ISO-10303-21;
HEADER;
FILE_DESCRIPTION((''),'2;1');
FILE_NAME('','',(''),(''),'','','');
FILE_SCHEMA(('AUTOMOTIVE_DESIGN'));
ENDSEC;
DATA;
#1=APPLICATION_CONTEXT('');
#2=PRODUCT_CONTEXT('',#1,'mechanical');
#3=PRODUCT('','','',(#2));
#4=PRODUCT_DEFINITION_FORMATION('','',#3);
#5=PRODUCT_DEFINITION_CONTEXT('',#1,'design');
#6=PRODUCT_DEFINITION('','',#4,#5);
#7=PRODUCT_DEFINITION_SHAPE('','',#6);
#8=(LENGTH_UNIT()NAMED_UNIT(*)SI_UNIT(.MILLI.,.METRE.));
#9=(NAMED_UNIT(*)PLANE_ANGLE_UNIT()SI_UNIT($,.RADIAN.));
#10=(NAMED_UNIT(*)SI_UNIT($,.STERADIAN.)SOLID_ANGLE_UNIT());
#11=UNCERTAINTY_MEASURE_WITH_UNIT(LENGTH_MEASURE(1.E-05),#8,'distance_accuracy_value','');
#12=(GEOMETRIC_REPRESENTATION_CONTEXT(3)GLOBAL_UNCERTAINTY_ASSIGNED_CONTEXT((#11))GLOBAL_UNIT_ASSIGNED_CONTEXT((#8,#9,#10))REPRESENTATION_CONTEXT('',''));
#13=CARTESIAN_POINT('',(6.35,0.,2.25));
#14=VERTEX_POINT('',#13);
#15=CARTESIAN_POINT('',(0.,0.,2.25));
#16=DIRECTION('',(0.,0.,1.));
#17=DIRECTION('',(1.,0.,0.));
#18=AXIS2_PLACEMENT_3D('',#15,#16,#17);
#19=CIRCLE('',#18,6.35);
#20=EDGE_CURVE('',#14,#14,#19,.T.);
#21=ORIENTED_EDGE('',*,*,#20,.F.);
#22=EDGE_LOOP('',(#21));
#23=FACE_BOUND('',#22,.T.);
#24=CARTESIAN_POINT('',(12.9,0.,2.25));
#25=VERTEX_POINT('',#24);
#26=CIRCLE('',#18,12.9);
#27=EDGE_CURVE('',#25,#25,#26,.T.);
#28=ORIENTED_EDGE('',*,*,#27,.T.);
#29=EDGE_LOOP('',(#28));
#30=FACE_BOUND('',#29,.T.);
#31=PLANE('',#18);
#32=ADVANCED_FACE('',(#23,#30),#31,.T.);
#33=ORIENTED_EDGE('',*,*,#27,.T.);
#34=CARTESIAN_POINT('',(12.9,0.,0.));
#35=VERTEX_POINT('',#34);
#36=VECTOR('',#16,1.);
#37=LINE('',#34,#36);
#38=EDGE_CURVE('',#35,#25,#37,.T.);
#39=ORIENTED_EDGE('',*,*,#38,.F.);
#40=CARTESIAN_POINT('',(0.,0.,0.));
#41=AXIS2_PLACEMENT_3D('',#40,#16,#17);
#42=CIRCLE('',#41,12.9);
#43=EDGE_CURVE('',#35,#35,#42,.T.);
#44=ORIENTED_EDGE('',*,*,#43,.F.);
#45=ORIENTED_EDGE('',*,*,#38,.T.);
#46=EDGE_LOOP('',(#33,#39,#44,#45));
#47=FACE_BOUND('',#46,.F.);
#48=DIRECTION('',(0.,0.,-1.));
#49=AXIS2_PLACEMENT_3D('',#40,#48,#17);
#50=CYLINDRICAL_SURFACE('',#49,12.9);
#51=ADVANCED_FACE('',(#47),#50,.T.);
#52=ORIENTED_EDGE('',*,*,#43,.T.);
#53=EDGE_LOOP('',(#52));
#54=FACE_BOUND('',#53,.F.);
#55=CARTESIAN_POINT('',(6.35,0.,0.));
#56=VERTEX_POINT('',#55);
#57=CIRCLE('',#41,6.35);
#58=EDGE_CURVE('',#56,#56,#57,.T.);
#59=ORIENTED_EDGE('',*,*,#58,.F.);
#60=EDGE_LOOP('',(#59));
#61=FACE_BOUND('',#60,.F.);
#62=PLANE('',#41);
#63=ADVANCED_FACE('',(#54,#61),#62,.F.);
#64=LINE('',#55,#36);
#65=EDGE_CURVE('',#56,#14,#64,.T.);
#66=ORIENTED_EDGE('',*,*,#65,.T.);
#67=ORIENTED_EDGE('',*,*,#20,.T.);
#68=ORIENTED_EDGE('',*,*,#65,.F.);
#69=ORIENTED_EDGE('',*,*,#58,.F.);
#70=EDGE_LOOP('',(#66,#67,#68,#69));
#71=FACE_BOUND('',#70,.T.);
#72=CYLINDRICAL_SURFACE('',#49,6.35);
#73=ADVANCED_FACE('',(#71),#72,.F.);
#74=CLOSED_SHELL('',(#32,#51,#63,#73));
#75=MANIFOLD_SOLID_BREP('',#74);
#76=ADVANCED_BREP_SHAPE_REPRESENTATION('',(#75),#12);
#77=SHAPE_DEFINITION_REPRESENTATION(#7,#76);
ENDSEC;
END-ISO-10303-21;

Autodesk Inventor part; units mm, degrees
ref_plane "YZ Plane" through (0, 0, 0) normal (1, 0, 0) x (0, 1, 0)
ref_plane "XZ Plane" through (0, 0, 0) normal (0, 1, 0) x (-1, 0, 0)
ref_plane "XY Plane" through (0, 0, 0) normal (0, 0, 1) x (1, 0, 0)
sketch "スケッチ1" plane through (0, 0, 0) normal (0, 0, 1) x (1, 0, 0)
  circle A0 centre (0, 0) radius 12.9
  circle A1 centre (0, 0) radius 6.35
  dimension "d0" = 25.8
  dimension "d1" = 12.7
extrude "押し出し1" add sketch "スケッチ1" along normal blind 2.25
properties part number "前輪シャフトワッシャー"
